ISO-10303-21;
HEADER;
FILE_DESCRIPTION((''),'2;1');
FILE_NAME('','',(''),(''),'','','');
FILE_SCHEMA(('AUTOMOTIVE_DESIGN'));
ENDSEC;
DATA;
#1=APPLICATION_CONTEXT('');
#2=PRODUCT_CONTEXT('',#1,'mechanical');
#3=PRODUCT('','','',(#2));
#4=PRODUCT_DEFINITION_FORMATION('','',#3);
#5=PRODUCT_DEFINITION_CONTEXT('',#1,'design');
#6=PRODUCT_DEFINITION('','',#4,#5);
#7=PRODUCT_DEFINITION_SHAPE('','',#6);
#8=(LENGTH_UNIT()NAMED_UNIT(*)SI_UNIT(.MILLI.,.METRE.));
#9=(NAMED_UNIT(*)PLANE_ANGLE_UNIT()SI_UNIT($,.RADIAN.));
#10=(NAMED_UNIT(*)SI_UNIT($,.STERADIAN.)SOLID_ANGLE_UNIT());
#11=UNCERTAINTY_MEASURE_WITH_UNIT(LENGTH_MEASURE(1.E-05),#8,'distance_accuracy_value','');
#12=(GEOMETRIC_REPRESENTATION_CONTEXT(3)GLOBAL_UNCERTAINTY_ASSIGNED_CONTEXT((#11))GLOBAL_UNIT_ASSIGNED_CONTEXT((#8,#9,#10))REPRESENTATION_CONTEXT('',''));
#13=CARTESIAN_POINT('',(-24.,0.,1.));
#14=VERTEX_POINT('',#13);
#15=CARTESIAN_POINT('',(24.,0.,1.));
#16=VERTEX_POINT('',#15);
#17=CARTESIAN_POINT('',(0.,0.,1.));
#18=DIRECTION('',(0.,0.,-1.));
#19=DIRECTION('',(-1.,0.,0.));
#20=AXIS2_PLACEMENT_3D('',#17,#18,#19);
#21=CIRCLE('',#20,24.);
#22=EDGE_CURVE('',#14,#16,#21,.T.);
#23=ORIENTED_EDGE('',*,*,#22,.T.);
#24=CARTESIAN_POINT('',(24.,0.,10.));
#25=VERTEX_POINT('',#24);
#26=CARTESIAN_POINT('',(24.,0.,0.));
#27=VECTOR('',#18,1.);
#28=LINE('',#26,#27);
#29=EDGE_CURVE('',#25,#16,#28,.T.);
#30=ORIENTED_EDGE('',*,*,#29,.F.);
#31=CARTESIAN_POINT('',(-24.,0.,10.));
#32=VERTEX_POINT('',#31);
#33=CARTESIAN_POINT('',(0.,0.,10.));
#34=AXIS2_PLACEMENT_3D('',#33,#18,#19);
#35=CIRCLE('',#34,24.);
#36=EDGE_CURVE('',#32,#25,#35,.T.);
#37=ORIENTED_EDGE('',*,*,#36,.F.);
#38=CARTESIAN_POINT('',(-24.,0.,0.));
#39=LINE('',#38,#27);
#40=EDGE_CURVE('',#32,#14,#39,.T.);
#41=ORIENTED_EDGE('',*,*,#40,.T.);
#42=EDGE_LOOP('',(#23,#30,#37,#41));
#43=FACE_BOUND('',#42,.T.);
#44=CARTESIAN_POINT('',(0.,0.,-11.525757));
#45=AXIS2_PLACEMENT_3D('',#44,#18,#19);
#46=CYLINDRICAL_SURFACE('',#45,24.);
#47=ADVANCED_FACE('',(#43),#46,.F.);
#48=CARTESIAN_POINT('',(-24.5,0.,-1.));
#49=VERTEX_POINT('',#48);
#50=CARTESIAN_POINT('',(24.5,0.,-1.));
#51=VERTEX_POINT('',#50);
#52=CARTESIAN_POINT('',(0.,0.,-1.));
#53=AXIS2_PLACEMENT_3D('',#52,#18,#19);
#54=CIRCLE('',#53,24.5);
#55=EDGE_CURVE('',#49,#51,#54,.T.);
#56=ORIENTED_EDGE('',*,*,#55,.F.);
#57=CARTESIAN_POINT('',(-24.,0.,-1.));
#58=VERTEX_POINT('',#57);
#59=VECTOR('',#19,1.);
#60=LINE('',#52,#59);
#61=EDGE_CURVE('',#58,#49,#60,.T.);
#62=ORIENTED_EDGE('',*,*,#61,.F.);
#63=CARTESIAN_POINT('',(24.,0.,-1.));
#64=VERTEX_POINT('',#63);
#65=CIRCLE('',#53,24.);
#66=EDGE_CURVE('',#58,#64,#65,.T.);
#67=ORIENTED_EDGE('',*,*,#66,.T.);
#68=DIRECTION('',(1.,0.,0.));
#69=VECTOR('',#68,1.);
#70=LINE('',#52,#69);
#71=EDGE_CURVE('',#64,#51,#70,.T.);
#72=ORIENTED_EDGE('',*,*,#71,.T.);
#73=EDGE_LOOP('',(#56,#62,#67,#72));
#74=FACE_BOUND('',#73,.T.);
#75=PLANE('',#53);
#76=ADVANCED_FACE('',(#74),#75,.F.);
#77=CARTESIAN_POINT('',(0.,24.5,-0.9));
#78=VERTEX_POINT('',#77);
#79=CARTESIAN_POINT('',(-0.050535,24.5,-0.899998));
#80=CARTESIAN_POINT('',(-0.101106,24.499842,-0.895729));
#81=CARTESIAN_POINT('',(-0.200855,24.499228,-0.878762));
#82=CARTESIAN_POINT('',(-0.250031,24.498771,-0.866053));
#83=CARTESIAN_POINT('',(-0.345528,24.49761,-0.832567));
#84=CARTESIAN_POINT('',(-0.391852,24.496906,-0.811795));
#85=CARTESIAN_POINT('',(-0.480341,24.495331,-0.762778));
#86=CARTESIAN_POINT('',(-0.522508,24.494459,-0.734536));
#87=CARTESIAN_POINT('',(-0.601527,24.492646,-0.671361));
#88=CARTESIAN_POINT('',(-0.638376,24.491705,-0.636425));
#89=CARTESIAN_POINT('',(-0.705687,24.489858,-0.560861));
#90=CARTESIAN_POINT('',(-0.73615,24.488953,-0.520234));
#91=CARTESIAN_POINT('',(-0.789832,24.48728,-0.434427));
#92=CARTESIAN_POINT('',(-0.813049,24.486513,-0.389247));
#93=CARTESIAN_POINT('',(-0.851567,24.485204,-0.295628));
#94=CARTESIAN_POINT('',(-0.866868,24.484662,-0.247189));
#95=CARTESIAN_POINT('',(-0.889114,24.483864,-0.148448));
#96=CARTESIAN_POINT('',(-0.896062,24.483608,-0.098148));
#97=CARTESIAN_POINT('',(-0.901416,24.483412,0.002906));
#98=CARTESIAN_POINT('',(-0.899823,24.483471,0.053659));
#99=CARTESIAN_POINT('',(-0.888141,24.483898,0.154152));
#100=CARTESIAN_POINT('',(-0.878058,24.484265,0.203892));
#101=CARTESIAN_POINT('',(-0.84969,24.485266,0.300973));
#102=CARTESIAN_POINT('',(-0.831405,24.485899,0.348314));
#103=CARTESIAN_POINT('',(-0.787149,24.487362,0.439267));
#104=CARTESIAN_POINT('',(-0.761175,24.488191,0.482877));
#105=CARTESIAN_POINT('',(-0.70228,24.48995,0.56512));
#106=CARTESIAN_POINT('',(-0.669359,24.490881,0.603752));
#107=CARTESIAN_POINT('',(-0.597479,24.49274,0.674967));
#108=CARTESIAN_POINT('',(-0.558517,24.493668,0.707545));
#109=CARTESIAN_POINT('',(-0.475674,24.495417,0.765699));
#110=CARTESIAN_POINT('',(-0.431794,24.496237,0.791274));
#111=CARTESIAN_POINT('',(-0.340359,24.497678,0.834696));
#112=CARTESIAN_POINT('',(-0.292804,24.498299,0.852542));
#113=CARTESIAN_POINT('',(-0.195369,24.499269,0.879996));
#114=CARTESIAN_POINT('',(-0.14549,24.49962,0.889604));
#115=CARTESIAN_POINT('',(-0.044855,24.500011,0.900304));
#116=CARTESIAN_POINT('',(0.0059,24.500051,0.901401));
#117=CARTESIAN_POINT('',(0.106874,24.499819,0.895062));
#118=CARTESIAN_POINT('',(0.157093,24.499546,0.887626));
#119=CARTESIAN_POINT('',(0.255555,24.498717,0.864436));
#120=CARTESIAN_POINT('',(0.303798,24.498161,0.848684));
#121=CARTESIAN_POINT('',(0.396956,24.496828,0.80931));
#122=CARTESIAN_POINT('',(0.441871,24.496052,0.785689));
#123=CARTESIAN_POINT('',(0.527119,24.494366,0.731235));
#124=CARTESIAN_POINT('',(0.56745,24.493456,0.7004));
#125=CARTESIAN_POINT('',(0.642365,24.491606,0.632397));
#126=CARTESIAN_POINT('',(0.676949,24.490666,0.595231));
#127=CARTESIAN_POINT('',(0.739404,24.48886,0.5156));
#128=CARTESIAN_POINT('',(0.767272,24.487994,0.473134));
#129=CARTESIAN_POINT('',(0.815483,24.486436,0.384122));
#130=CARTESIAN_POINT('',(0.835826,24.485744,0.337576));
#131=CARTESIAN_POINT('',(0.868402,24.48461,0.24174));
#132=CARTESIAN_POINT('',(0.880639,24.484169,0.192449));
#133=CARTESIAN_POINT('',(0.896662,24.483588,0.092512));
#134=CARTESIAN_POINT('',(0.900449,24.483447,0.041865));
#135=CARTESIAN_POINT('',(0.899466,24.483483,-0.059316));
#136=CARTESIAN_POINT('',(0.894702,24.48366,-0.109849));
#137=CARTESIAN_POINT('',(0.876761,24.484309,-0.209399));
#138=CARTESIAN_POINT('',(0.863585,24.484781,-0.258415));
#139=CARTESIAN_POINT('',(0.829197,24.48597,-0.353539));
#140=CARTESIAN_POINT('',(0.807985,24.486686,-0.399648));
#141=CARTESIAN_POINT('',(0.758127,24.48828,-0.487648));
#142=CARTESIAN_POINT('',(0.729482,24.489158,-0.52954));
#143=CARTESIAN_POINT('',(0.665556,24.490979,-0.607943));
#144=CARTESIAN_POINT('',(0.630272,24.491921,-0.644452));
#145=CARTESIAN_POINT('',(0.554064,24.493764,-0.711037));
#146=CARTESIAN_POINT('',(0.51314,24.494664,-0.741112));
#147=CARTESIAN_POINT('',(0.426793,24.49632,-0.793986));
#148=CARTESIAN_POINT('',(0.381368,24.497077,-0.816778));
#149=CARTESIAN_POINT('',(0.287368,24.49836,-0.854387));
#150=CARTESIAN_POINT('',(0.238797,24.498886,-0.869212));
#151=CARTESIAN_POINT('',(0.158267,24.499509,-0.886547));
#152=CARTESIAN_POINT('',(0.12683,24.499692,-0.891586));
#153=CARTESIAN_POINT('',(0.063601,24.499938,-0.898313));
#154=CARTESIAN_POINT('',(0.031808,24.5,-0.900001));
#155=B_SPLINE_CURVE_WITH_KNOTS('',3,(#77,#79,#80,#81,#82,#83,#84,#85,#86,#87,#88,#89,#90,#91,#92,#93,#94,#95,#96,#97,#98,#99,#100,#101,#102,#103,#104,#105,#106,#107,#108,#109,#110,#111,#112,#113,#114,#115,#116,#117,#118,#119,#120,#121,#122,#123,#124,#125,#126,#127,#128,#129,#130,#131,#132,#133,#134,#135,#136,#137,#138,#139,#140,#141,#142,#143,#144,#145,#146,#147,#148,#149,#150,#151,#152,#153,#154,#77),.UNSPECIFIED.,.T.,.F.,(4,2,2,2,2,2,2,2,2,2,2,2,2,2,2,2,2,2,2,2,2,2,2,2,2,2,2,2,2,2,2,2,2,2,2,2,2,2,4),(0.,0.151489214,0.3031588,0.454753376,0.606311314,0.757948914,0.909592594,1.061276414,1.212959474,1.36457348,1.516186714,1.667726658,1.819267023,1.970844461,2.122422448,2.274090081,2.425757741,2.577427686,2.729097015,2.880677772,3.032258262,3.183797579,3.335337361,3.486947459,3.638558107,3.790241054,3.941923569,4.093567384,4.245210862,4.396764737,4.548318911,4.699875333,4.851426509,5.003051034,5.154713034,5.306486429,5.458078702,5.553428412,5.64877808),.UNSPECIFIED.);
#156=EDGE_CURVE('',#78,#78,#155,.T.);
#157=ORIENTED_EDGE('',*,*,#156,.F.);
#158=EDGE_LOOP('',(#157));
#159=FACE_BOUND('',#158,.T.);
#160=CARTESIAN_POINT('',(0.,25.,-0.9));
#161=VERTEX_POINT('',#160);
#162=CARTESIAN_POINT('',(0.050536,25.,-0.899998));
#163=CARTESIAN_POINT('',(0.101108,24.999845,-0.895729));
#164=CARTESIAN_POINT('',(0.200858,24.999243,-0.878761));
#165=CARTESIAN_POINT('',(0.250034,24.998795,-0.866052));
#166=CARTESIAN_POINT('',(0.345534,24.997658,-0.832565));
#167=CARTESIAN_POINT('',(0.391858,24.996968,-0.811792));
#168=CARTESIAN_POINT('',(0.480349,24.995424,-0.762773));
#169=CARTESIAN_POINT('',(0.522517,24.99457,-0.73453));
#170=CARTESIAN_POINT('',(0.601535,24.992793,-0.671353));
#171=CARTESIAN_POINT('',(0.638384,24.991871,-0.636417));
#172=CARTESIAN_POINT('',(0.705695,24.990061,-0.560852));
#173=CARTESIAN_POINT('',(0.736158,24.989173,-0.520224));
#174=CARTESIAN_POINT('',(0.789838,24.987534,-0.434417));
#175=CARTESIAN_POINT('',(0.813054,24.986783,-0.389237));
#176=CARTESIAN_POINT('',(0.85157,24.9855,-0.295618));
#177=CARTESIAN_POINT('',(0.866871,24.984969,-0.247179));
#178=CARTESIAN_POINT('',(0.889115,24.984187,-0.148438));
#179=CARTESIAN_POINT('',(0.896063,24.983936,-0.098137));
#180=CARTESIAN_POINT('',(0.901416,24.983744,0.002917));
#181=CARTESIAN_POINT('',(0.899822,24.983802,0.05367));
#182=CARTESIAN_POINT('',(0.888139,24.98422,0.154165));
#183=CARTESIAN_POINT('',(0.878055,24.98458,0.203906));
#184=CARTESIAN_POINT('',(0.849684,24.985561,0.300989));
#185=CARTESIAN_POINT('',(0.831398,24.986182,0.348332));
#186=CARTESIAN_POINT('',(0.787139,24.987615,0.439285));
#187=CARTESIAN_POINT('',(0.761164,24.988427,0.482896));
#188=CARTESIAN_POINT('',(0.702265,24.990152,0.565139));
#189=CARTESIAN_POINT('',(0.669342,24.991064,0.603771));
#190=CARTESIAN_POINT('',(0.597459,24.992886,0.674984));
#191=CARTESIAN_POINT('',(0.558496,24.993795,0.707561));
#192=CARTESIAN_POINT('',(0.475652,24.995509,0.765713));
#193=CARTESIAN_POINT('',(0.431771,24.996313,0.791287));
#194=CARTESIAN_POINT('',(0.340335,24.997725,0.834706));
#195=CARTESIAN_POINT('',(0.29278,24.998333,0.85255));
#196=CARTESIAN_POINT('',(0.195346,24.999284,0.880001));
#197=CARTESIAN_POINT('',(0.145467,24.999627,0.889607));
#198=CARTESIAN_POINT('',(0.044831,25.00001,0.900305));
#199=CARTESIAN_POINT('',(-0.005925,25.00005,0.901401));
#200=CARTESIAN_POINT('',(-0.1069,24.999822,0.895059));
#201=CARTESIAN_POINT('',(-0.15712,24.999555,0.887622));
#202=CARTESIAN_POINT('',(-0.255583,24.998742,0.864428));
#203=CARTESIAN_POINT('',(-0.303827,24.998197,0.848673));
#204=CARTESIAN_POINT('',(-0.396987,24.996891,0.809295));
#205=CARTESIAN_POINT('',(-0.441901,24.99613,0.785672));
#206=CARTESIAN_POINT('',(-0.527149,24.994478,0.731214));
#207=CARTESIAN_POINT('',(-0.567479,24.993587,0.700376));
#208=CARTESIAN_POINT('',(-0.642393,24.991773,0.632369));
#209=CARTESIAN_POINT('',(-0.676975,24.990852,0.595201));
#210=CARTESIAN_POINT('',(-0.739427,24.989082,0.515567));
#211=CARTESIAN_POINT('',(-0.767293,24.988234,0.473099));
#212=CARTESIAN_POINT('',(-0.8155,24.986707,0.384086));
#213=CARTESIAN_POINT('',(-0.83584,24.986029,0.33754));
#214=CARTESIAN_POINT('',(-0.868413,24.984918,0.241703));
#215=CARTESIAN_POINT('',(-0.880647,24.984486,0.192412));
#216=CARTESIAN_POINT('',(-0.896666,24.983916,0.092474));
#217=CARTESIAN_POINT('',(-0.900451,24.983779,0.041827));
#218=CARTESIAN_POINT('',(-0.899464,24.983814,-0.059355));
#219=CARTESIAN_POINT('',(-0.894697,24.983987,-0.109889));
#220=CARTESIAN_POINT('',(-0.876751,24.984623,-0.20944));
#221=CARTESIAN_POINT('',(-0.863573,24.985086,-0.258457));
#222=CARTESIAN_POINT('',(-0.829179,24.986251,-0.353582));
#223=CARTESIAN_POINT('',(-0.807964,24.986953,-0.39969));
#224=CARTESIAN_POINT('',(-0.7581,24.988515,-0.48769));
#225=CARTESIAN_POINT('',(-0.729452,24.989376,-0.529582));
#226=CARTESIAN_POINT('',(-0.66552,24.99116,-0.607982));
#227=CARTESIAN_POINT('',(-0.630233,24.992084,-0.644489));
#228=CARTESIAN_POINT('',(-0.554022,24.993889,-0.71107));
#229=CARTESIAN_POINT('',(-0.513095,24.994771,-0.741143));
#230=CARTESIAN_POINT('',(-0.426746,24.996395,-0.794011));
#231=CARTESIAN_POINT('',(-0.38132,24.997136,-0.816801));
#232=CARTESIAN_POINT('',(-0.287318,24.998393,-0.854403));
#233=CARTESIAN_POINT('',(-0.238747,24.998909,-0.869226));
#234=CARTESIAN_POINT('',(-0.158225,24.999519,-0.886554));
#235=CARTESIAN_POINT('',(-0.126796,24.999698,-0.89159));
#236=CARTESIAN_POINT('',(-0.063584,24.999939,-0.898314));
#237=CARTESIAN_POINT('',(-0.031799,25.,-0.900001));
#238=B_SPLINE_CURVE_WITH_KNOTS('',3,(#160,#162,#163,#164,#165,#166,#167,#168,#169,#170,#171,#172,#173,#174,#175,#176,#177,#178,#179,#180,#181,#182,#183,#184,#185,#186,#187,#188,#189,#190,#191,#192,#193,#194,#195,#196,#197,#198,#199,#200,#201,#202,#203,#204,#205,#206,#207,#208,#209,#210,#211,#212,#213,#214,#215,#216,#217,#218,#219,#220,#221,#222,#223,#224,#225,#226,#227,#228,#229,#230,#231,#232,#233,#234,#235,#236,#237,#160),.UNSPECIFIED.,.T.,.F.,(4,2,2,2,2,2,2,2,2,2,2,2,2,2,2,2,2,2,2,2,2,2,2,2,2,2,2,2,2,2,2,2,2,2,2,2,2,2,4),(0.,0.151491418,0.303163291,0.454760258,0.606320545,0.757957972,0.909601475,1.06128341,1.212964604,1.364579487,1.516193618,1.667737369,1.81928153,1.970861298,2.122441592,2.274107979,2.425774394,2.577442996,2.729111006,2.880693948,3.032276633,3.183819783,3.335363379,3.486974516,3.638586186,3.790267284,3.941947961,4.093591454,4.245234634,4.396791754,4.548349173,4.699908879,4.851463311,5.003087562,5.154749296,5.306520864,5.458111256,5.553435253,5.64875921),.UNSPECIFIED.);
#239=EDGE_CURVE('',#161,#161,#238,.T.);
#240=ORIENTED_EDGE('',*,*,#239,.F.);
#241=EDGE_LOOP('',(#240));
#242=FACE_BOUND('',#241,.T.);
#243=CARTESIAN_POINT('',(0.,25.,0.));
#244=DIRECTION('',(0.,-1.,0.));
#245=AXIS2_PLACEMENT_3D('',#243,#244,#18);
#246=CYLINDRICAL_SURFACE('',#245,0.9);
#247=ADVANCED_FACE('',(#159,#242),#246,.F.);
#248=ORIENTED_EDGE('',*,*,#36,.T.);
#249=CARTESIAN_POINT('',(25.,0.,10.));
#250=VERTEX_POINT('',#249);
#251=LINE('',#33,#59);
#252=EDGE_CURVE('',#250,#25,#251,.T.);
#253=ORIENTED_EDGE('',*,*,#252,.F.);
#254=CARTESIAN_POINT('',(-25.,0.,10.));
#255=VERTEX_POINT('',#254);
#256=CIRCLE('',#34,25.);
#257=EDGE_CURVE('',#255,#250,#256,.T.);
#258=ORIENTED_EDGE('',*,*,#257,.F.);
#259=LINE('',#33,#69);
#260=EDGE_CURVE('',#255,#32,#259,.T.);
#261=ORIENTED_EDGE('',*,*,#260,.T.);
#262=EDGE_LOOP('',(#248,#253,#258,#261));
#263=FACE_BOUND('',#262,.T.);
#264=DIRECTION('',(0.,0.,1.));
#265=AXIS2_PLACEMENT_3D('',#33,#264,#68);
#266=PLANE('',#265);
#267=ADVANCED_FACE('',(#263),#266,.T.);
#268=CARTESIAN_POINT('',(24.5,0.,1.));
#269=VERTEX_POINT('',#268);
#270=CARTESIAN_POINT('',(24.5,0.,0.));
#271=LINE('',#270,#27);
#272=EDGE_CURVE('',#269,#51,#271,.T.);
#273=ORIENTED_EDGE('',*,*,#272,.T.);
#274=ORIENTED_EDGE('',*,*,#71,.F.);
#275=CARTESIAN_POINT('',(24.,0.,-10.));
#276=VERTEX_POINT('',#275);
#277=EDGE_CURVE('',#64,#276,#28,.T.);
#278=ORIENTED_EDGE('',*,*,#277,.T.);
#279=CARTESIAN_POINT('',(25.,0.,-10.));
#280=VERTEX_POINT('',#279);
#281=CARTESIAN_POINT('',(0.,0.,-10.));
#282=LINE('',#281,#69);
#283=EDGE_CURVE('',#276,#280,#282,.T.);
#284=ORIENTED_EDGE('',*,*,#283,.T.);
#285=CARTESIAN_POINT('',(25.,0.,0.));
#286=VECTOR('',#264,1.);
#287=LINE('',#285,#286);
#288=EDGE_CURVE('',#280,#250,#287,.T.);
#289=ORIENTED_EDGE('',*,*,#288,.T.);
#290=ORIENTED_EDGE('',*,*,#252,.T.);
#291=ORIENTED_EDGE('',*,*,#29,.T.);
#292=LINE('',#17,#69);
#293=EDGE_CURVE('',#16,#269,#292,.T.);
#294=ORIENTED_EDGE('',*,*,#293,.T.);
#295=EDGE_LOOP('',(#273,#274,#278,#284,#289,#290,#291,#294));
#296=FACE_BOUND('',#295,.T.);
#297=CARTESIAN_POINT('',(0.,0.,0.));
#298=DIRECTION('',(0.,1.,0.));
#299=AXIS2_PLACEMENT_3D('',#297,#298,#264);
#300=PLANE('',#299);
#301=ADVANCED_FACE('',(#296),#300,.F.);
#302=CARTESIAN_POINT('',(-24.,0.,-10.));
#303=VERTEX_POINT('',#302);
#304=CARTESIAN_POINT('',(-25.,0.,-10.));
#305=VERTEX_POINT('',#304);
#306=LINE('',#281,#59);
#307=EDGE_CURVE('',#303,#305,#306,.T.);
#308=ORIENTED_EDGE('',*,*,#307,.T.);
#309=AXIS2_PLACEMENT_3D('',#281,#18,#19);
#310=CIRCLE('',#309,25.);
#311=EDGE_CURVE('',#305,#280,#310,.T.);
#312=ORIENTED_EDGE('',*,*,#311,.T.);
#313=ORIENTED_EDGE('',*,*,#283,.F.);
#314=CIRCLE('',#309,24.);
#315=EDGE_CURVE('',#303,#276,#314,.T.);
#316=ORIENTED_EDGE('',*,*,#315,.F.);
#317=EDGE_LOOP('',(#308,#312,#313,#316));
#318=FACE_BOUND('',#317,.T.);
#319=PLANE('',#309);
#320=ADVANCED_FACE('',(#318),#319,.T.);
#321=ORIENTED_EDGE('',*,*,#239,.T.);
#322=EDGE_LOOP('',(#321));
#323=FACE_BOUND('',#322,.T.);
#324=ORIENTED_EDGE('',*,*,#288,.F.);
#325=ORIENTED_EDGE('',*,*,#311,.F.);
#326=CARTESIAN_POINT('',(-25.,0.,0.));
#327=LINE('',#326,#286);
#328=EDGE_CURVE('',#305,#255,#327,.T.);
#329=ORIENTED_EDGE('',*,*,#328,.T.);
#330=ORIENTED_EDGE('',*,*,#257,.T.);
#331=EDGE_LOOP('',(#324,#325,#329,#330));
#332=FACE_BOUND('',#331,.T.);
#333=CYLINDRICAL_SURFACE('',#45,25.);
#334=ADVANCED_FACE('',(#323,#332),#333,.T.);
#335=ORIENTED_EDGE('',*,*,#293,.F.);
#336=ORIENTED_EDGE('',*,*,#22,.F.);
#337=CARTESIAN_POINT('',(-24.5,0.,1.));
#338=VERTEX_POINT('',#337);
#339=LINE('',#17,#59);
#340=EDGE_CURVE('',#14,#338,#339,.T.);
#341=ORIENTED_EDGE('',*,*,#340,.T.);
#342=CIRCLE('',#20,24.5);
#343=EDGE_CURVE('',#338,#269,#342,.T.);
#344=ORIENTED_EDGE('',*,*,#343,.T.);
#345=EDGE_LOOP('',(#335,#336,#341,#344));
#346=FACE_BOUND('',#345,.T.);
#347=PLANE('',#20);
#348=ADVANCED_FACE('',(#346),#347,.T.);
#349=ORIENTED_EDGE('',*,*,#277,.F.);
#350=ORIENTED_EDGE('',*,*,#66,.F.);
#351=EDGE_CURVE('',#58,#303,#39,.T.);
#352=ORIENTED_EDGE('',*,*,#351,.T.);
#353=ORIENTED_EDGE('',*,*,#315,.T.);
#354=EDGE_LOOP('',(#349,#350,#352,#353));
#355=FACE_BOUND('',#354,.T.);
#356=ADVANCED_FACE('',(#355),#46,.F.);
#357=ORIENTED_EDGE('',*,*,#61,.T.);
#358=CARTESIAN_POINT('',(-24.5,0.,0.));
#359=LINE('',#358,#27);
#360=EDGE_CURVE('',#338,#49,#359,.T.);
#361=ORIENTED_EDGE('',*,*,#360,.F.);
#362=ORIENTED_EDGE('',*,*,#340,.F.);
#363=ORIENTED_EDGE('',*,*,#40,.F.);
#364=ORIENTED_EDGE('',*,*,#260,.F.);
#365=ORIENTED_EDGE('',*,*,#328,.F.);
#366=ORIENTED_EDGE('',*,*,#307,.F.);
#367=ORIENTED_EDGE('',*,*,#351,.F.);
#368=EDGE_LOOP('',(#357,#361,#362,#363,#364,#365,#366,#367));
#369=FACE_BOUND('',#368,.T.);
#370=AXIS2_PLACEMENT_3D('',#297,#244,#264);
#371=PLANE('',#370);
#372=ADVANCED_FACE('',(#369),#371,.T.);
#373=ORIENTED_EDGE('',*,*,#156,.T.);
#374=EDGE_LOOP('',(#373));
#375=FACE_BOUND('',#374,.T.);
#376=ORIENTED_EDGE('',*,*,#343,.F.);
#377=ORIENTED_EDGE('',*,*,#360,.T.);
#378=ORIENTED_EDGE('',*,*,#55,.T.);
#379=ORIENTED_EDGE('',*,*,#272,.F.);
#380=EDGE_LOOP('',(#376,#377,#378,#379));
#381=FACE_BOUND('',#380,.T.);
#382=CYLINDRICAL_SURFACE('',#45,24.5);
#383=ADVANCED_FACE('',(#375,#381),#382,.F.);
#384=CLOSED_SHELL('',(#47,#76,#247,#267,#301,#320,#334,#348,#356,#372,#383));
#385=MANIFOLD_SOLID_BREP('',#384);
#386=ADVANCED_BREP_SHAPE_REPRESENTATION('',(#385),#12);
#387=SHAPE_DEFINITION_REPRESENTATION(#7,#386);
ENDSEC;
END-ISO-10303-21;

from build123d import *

# Parameters (mm, degrees)
REVOLVE1_ANGLE     = 180
SKETCH2_R          = 0.9
CUT_EXTRUDE2_DEPTH = 37.742346142


with BuildPart() as part:
    # Sketch1 → Revolve1 (revolve)
    with BuildSketch(Plane(origin=(0, 0, 0), x_dir=(1, 0, 0), z_dir=(0, 1, 0))):
        Polygon((25, -10), (25, 10), (24, 10), (24, 1), (24.5, 1), (24.5, -1), (24, -1), (24, -10), align=None)
    revolve(axis=Axis((0, 0, -11.525756711), (0, 0, 1)), revolution_arc=REVOLVE1_ANGLE)

    # Sketch2 → Cut-Extrude2 (cut, through all)
    with BuildSketch(Plane(origin=(0, 0, 0), x_dir=(1, 0, 0), z_dir=(0, 1, 0))):
        with Locations(Location((0, 0, 0), (0, 0, 90))):
            Circle(SKETCH2_R)
    extrude(amount=CUT_EXTRUDE2_DEPTH, mode=Mode.SUBTRACT)


solid = part.part
